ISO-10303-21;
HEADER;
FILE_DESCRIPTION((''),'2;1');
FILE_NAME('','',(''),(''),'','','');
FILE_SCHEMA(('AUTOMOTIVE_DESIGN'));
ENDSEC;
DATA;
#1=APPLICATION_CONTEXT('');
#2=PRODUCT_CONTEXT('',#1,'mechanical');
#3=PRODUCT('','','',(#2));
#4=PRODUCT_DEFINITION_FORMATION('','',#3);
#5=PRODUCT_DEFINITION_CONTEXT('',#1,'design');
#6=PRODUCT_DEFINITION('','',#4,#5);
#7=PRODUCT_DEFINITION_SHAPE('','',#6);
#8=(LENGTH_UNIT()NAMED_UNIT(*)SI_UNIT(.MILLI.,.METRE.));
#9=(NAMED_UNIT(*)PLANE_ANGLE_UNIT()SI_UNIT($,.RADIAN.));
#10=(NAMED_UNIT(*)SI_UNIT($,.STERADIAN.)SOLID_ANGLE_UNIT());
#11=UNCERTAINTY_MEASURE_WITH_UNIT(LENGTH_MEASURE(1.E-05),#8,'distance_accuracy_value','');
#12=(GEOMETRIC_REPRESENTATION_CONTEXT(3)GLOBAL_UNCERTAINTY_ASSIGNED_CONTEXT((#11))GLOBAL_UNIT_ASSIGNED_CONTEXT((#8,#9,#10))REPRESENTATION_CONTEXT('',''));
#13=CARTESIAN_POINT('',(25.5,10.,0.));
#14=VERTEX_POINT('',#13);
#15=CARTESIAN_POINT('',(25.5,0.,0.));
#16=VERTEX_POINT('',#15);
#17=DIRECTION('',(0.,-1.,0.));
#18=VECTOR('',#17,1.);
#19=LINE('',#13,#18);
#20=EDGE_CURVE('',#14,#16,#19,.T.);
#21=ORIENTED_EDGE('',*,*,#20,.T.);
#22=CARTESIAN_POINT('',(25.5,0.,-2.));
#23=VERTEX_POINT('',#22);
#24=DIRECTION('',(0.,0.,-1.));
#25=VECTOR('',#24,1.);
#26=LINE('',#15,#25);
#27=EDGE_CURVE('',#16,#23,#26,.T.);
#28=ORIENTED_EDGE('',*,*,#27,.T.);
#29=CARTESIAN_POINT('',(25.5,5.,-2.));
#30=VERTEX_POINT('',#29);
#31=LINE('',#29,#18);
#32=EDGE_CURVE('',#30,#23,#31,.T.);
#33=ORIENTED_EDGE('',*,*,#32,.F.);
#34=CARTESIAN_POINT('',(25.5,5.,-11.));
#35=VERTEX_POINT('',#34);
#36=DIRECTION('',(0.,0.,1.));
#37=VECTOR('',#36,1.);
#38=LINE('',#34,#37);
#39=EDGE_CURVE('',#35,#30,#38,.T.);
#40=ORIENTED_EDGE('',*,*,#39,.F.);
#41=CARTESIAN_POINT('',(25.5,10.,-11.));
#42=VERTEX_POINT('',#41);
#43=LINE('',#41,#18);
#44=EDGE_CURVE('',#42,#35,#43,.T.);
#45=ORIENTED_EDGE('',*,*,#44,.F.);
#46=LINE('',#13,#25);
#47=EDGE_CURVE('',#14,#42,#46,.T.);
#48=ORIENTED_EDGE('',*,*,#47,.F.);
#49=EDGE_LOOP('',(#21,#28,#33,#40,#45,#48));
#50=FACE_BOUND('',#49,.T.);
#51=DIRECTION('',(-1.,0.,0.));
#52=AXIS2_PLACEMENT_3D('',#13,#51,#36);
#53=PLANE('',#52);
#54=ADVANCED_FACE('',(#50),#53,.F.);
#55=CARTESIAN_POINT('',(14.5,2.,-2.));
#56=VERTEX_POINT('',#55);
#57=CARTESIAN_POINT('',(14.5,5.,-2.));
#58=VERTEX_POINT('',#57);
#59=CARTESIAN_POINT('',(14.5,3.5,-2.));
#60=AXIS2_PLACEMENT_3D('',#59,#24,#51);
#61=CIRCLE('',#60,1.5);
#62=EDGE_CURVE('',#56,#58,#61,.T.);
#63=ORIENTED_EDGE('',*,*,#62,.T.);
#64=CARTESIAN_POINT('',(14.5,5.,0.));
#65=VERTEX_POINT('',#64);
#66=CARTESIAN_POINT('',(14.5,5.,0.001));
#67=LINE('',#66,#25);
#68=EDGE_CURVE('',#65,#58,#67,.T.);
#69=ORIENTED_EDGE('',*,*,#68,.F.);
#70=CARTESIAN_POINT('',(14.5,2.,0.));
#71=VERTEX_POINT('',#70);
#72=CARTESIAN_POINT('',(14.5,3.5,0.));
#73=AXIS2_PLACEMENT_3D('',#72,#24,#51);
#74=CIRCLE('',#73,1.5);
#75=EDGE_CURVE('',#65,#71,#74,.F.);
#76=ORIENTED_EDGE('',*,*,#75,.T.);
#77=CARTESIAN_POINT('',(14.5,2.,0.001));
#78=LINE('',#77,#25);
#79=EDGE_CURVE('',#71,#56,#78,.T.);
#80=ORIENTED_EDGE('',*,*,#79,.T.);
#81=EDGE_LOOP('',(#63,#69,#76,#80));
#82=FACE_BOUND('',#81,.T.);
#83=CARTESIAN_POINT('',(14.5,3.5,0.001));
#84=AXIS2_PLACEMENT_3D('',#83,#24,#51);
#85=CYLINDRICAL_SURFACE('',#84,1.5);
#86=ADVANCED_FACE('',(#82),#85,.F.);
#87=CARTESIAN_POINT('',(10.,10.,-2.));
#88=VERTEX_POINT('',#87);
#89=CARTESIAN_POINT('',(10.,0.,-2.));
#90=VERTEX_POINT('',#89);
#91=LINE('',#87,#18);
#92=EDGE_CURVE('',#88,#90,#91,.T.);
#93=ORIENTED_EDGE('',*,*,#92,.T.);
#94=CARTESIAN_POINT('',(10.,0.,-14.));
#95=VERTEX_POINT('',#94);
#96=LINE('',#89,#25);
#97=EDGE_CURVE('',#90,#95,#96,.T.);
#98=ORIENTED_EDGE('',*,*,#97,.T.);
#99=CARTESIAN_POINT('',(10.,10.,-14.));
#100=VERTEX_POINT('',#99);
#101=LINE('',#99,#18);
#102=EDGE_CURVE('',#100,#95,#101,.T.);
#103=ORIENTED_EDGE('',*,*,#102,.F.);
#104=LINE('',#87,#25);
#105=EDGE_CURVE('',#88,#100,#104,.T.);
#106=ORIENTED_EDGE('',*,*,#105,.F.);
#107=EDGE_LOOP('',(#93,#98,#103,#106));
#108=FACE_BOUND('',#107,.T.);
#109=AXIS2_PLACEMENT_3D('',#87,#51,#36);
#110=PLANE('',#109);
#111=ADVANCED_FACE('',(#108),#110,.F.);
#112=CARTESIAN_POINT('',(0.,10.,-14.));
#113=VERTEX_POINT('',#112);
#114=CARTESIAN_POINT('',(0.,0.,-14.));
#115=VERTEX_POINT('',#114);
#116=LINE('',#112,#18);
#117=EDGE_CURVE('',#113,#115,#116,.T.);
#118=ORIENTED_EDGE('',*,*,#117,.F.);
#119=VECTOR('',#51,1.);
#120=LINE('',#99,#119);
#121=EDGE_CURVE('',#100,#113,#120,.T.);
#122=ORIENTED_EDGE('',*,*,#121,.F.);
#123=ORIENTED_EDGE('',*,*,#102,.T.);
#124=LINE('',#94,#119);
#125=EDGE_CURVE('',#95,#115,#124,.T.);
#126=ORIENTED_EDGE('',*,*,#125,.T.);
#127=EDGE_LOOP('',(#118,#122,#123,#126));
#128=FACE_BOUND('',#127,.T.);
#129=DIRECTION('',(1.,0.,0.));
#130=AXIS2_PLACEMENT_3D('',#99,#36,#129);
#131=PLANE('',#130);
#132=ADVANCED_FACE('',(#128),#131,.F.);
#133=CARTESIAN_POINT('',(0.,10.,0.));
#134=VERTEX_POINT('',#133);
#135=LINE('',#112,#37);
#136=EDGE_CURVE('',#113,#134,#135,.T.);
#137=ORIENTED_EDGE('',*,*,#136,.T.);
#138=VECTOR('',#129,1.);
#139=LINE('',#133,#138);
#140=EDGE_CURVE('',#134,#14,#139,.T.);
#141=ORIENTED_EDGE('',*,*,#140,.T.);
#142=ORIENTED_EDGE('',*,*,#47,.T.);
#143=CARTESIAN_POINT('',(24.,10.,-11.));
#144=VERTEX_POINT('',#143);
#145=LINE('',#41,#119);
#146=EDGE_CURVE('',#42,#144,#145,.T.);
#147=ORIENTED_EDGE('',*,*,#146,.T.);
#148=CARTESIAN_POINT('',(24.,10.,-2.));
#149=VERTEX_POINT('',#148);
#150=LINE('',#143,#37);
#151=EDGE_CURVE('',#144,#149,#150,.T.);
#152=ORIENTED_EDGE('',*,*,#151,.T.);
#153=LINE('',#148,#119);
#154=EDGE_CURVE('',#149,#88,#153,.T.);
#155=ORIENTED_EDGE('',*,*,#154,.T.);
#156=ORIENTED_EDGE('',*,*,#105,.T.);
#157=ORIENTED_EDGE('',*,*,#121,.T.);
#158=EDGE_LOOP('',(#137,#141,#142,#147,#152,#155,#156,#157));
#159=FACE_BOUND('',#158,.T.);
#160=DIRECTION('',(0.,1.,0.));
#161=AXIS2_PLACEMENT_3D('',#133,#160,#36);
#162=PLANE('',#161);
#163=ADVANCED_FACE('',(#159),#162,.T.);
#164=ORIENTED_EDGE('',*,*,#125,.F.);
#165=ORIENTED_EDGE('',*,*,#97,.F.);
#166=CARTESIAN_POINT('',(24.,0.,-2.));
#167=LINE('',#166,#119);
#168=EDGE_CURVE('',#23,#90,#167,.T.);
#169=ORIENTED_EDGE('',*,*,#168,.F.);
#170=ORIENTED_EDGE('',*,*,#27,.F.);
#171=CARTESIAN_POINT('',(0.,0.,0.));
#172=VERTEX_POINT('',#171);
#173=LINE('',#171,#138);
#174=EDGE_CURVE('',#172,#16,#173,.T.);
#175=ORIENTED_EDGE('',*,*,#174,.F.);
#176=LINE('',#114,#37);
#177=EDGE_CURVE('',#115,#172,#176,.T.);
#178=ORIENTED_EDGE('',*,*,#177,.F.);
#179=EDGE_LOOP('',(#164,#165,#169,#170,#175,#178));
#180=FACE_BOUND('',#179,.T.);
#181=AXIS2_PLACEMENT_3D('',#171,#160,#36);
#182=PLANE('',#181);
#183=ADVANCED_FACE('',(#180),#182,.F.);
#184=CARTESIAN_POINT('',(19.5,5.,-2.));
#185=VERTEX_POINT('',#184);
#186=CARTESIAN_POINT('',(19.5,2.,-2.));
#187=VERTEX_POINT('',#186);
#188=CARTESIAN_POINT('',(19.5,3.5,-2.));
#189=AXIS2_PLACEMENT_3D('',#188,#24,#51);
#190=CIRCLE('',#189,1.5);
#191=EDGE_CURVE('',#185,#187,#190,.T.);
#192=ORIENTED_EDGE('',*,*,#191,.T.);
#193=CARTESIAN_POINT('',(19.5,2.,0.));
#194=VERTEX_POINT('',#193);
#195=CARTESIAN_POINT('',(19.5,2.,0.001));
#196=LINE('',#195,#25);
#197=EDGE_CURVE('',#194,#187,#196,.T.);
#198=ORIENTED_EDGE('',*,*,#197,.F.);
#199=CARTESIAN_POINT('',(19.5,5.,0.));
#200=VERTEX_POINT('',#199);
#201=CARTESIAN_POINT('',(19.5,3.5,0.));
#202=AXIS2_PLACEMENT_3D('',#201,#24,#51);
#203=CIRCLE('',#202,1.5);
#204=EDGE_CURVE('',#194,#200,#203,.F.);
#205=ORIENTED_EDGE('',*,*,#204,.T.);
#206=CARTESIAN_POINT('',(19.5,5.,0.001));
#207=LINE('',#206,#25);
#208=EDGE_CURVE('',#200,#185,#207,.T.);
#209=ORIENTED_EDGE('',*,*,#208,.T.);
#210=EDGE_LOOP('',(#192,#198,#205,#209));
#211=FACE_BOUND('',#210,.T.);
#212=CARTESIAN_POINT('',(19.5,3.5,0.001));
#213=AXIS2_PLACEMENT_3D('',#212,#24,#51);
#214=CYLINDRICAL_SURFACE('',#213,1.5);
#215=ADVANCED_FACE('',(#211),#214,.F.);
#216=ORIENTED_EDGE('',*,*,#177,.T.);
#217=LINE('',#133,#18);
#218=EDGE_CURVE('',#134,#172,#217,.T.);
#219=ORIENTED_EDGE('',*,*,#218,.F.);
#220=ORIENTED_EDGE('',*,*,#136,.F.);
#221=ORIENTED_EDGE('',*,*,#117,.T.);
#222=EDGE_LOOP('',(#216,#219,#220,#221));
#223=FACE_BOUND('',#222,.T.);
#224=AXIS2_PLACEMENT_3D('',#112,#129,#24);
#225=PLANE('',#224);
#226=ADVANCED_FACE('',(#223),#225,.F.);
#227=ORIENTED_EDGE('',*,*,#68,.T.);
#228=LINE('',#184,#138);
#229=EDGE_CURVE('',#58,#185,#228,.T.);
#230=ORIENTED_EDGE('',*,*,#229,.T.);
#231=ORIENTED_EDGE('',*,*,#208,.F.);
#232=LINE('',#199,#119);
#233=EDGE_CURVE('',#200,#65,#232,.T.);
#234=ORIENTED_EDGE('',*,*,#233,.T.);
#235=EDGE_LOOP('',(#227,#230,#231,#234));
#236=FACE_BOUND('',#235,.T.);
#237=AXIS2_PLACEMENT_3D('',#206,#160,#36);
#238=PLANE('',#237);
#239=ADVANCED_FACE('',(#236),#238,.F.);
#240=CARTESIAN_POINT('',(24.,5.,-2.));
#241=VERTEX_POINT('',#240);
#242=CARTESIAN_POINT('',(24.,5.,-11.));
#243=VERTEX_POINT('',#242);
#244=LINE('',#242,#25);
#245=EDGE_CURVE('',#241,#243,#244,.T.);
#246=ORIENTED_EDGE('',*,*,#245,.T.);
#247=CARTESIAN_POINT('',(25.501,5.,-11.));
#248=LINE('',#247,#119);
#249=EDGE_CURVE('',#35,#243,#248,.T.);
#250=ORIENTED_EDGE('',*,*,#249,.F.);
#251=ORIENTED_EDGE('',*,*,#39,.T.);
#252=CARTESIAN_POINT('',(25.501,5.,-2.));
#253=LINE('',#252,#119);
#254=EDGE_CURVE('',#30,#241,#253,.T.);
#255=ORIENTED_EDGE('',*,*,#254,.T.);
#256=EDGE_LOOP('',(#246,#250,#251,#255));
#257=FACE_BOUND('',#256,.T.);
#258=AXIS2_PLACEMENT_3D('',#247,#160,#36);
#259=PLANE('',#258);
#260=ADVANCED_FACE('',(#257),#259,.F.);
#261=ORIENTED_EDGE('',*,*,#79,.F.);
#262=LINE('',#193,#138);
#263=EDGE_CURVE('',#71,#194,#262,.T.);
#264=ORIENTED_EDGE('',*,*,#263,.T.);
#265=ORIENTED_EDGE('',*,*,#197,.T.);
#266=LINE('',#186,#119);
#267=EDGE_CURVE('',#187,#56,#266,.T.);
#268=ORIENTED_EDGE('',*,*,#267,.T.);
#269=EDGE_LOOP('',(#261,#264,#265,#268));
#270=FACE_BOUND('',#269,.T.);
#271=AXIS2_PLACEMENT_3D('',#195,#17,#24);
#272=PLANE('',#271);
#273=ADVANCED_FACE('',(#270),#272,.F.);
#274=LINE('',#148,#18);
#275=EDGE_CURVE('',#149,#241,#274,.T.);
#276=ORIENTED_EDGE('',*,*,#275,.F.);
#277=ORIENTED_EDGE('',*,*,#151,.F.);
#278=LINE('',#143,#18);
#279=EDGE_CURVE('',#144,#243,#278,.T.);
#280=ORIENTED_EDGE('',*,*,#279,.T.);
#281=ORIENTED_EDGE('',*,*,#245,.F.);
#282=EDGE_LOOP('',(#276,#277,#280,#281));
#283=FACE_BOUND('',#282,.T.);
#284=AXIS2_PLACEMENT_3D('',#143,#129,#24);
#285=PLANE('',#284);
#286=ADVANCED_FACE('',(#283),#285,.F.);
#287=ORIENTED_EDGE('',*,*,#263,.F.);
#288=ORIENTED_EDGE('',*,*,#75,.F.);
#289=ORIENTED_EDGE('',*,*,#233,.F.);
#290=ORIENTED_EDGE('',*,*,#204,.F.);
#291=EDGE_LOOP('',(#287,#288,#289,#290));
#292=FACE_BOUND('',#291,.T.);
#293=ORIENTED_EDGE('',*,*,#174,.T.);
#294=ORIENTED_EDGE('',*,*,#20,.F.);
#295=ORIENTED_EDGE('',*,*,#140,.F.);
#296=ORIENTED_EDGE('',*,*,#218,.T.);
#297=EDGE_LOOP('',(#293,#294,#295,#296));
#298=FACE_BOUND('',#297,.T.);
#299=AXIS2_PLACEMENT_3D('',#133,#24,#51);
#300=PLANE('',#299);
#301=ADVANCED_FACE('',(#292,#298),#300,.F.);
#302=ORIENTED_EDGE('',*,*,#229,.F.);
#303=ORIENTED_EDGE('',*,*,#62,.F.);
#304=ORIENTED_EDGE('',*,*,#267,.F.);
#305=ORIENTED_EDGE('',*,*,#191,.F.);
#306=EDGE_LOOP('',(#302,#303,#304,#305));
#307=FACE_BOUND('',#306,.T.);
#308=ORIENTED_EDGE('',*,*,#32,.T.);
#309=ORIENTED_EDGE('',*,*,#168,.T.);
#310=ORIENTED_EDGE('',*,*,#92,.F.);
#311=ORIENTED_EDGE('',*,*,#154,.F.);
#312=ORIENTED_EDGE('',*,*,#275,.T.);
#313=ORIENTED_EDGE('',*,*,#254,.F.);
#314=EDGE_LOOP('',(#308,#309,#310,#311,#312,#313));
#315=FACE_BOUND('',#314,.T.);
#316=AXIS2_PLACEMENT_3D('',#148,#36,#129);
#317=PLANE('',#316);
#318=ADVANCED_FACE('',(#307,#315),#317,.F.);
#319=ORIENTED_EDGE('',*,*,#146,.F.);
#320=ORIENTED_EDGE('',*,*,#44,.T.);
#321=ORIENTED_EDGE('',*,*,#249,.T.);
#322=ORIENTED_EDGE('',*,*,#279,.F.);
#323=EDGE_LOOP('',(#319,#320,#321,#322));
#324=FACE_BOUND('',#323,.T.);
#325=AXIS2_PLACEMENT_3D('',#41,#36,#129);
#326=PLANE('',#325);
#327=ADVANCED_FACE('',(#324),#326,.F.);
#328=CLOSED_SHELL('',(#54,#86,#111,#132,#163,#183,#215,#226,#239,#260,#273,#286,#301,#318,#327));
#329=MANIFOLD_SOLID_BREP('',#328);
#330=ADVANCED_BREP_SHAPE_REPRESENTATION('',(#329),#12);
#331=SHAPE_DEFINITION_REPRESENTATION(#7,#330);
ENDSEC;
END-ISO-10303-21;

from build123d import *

# Parameters (mm, degrees)
BOSS_EXTRUDE1_DEPTH = 10
CUT_EXTRUDE1_REACH  = 3.5
SKETCH2_W           = 9
SKETCH2_H           = 5
CUT_EXTRUDE2_REACH  = 4


with BuildPart() as part:
    # Sketch1 → Boss-Extrude1 (new body)
    with BuildSketch(Plane(origin=(0, 0, 0), x_dir=(1, 0, 0), z_dir=(0, 1, 0))):
        Polygon((0, 0), (25.5, 0), (25.5, 11), (24, 11), (24, 2), (10, 2), (10, 14), (0, 14), align=None)
    extrude(amount=BOSS_EXTRUDE1_DEPTH)

    # Sketch2 → Cut-Extrude1 (cut, up to next)
    with BuildSketch(Plane.ZY.offset(-24), mode=Mode.PRIVATE) as cut_extrude1_sk1:
        with Locations((-6.5, 2.5)):
            Rectangle(SKETCH2_W, SKETCH2_H)
    cut_extrude1_tool1 = extrude(cut_extrude1_sk1.sketch, amount=-CUT_EXTRUDE1_REACH, mode=Mode.PRIVATE) & part.part
    add(cut_extrude1_tool1.solids().sort_by_distance((24, 2.5, -6.5))[0], mode=Mode.SUBTRACT)

    # Sketch3 → Cut-Extrude2 (cut, up to next)
    with BuildSketch(Plane(origin=(0, 0, -2), x_dir=(-1, 0, 0), z_dir=(0, 0, -1)), mode=Mode.PRIVATE) as cut_extrude2_sk1:
        with BuildLine():
            Line((-19.5, 5), (-14.5, 5))
            ThreePointArc((-14.5, 5), (-13, 3.5), (-14.5, 2))
            Line((-14.5, 2), (-19.5, 2))
            ThreePointArc((-19.5, 2), (-21, 3.5), (-19.5, 5))
        make_face()
    cut_extrude2_tool1 = extrude(cut_extrude2_sk1.sketch, amount=-CUT_EXTRUDE2_REACH, mode=Mode.PRIVATE) & part.part
    add(cut_extrude2_tool1.solids().sort_by_distance((17, 3.5, -2))[0], mode=Mode.SUBTRACT)


solid = part.part
